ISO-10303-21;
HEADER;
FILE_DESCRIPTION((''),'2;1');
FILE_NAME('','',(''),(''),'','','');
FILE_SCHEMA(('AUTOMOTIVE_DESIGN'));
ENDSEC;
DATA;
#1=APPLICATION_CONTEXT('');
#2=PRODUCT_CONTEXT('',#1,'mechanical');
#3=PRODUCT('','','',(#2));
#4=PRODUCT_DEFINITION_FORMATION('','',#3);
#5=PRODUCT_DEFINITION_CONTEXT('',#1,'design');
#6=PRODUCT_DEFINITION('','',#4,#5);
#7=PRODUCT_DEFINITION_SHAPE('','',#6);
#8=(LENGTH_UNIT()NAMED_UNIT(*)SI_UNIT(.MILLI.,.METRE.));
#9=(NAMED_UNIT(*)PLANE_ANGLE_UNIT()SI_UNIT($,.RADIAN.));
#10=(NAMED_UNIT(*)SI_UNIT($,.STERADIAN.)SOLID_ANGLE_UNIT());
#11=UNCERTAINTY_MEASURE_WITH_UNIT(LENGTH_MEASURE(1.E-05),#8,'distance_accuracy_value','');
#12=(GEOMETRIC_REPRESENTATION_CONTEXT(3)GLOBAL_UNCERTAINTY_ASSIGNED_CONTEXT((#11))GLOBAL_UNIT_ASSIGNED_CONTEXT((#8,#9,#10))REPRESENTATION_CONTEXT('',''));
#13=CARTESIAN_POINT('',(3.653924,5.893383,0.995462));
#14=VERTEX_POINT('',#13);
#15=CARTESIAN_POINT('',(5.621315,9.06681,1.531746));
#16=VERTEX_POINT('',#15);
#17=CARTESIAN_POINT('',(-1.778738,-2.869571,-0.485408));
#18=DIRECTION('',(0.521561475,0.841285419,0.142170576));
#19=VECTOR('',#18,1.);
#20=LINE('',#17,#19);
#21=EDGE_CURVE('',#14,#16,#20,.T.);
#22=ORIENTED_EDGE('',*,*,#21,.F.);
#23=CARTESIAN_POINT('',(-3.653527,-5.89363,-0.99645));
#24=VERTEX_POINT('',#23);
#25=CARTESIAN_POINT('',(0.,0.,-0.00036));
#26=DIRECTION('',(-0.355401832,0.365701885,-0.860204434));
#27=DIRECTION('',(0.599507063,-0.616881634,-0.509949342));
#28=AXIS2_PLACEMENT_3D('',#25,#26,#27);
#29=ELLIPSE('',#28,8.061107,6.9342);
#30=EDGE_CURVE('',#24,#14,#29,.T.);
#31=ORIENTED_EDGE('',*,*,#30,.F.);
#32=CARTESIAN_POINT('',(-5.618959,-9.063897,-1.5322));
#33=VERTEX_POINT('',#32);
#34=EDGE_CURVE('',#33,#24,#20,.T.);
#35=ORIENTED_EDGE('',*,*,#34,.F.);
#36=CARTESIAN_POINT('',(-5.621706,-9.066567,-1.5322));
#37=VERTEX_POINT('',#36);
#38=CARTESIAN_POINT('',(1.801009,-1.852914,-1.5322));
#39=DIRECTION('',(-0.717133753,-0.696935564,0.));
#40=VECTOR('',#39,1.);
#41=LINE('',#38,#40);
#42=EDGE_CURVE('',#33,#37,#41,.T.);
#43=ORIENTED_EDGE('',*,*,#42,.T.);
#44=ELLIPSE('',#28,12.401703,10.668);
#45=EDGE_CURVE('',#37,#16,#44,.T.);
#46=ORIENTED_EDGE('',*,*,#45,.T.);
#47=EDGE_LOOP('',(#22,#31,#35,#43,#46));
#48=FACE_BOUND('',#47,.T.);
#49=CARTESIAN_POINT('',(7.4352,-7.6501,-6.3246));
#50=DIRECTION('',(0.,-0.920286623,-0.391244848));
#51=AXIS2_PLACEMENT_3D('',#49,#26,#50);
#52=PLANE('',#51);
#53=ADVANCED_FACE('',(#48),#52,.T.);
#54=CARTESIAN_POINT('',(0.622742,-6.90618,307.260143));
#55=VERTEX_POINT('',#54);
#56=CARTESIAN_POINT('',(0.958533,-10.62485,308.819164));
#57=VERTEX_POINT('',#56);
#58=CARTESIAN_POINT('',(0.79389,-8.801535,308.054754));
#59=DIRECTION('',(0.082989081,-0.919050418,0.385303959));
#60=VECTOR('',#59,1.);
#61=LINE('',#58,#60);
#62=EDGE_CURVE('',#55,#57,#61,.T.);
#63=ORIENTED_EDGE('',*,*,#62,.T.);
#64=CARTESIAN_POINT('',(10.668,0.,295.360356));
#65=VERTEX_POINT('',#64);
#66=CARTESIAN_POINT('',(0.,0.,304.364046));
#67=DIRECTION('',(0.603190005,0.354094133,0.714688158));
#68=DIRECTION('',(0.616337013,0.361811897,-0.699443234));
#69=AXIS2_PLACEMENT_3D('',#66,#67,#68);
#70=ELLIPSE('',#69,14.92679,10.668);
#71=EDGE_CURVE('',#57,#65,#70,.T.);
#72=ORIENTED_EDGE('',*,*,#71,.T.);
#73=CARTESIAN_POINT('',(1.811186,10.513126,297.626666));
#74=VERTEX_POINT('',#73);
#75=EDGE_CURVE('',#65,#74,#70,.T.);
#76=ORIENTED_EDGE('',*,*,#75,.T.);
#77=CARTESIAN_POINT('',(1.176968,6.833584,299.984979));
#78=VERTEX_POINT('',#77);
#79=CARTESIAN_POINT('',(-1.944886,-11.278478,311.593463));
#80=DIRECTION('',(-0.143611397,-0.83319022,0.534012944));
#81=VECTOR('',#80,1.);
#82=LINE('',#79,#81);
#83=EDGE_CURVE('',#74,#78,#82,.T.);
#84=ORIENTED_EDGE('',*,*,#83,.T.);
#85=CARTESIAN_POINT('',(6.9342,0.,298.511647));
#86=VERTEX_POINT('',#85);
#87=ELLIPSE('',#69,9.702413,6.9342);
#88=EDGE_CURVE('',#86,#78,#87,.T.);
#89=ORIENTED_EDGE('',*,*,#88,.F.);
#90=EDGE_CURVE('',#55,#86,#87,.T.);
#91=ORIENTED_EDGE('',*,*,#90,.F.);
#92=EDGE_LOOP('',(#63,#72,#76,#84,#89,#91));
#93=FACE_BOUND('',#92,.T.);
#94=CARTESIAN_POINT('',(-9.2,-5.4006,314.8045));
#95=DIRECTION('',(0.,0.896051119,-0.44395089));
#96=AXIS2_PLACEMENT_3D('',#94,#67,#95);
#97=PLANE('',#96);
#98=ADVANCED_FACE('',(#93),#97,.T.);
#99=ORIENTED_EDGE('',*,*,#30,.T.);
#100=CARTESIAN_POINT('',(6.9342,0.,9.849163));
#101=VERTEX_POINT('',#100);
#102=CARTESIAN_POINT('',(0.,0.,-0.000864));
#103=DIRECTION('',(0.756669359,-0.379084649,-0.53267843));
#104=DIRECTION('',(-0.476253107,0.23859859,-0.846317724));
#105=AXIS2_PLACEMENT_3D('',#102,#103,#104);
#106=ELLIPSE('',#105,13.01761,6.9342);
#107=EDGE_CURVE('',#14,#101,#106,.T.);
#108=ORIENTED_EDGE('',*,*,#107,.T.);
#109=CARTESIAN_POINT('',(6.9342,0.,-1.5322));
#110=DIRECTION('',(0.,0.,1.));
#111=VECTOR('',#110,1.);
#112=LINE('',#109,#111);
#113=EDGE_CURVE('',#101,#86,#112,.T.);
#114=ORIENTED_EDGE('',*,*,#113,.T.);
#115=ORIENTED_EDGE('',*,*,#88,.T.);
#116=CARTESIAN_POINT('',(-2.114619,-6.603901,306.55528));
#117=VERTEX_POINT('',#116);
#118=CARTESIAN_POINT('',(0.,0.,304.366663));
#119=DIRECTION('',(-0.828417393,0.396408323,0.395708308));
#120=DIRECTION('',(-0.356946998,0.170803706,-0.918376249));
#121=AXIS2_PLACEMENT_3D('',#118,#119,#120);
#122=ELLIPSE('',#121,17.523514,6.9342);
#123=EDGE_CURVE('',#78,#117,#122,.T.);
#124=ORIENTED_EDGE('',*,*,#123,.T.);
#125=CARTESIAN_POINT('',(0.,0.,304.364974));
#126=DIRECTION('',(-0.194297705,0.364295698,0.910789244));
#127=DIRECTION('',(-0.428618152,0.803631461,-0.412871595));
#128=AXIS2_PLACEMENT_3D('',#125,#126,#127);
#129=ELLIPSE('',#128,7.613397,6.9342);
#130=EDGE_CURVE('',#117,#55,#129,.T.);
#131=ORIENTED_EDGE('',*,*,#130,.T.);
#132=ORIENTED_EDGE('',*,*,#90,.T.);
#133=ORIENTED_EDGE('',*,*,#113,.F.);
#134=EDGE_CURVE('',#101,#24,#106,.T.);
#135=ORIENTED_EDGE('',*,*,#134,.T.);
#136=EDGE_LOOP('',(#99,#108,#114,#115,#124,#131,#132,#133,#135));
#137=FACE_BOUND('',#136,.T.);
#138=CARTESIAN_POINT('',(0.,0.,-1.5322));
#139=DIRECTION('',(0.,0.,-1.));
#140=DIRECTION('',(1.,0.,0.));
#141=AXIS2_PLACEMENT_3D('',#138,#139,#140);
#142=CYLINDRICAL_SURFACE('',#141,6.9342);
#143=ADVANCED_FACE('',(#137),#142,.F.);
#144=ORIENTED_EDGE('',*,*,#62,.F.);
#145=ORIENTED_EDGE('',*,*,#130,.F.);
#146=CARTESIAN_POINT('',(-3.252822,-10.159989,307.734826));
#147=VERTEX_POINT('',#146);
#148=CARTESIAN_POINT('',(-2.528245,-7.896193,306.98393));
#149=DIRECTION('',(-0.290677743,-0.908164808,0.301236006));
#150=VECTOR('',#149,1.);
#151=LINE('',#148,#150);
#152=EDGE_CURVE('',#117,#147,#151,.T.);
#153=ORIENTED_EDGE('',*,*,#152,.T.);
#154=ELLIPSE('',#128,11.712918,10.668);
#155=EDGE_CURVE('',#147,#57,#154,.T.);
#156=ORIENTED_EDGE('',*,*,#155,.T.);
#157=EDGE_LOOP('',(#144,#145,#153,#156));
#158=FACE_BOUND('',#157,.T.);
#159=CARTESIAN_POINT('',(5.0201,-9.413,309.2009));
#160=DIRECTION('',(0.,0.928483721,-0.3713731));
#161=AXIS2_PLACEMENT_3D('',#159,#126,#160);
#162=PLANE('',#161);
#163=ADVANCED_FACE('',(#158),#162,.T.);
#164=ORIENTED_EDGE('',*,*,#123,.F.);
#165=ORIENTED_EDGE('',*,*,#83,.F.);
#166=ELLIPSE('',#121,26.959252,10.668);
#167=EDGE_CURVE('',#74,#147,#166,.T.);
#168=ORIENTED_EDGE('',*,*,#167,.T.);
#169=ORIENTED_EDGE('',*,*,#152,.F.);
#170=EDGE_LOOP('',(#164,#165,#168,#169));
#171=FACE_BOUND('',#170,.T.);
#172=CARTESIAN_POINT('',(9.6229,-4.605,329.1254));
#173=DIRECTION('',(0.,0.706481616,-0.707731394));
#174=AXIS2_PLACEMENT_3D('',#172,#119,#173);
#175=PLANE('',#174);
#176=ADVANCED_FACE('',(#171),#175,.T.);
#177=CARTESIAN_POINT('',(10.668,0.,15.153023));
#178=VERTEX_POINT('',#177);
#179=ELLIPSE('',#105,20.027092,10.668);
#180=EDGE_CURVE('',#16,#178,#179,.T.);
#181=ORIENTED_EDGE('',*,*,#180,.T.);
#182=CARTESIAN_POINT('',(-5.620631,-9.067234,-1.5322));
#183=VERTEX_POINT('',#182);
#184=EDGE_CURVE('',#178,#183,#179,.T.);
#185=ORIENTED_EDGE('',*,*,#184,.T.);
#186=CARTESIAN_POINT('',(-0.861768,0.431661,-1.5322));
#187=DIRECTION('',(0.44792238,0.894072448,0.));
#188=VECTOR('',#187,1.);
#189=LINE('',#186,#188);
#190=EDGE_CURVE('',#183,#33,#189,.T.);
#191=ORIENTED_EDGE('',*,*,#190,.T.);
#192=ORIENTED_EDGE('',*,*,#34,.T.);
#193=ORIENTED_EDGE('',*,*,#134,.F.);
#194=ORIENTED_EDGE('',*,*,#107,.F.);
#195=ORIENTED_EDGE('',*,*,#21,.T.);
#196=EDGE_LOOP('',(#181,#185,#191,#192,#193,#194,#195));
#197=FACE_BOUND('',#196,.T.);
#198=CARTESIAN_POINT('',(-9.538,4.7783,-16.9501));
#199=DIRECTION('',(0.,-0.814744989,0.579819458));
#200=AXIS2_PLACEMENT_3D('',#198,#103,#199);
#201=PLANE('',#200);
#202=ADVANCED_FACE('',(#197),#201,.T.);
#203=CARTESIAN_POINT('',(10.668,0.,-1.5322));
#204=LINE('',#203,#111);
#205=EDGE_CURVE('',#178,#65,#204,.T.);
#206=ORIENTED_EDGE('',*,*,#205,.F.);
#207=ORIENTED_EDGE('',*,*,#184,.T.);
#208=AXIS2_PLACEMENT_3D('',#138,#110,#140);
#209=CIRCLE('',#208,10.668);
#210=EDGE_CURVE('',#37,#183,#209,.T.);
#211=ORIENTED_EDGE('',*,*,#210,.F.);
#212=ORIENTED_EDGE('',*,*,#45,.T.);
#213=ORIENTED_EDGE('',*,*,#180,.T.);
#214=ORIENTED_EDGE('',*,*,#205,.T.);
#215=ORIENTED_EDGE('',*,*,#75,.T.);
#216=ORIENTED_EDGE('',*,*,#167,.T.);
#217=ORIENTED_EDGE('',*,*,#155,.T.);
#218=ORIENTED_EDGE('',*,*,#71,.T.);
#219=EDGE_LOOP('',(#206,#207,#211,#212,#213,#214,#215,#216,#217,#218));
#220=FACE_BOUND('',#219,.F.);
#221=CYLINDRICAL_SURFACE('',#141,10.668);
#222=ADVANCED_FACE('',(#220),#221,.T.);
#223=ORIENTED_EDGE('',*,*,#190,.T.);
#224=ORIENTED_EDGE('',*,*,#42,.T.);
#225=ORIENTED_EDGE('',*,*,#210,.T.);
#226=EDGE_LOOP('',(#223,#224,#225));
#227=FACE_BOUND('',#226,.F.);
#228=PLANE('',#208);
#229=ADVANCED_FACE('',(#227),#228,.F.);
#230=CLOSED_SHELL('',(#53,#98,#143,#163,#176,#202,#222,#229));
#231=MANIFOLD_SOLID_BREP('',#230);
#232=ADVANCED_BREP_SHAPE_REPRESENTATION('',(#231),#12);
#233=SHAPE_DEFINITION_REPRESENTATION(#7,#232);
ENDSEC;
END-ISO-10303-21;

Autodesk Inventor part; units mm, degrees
ref_plane "Start Plane" through (0, 0, -1.5322) normal (0, 0, 1) x (1, 0, 0)
ref_plane "End Plane" through (0, 0, 308.8193) normal (0, 0, 1) x (1, 0, 0)
sketch "Sketch" plane through (0, 0, 0) normal (0, 0, 1) x (1, 0, 0)
  circle A0 centre (0, 0) radius 6.9342
  circle A1 centre (0, 0) radius 10.668
  dimension "d0" = 21.336
  dimension "d1" = 3.7338
extrude "Body" add sketch "Sketch" along normal up to surface (310.3515 mm away) from surface at -1.5322
sketch "Sketch3" plane through (0, 0, 0) normal (0, 0, 1) x (1, 0, 0)
  line L0 (0, 0) -> (10, 0)
ref_plane "Work Plane3" through (0, 0, 0) normal (0, -1, 0) x (1, 0, 0)
sketch "Sketch4" plane through (0, 0, 0) normal (0, -1, 0) x (1, 0, 0)
  line L0 (-2, -1.5322) -> (12, -1.5322)
  line L1 (-2, 308.8193) -> (12, 308.8193)
  dimension "d7" = 310.3515
ref_plane "Work Plane4" through (-9.2, -5.4006, 314.8045) normal (0.6032, 0.3541, 0.7147) x (0.7878, -0.1245, -0.6032)
split "Split1" plane through (-9.2, -5.4006, 314.8045) removes the side toward (0.6032, 0.3541, 0.7147)
ref_plane "Work Plane5" through (5.0201, -9.413, 309.2009) normal (-0.1943, 0.3643, 0.9108) x (0.9802, 0.037, 0.1943)
split "Split2" plane through (5.0201, -9.413, 309.2009) removes the side toward (-0.1943, 0.3643, 0.9108)
ref_plane "Work Plane6" through (9.6229, -4.605, 329.1254) normal (-0.8284, 0.3964, 0.3957) x (0.5083, 0.2353, 0.8284)
split "Split3" plane through (9.6229, -4.605, 329.1254) removes the side toward (-0.8284, 0.3964, 0.3957)
ref_plane "Work Plane7" through (-9.538, 4.7783, -16.9501) normal (0.7567, -0.3791, -0.5327) x (-0.2252, 0.6138, -0.7567)
split "Split4" plane through (-9.538, 4.7783, -16.9501) removes the side toward (0.7567, -0.3791, -0.5327)
ref_plane "Work Plane8" through (7.4352, -7.6501, -6.3246) normal (-0.3554, 0.3657, -0.8602) x (0.0964, 0.9297, 0.3554)
split "Split5" plane through (7.4352, -7.6501, -6.3246) removes the side toward (-0.3554, 0.3657, -0.8602)
equation "\"d0\" = G_H"
equation "\"d1\" = G_T"
equation "\"d2\" = G_L"
equation "\"G_H\" = 21.336"
equation "\"G_T\" = 3.7338"
equation "\"G_L\" = 310.35153"
equation "\"G_OFFSET_START\" = 1.53222"
equation "\"G_OFFSET_END\" = 4.45413"
equation "\"d4\" = -G_OFFSET_START"
equation "\"d5\" = G_OFFSET_END + B_L"
equation "\"B_L\" = 304.36517"
properties part number "ANSI - 1/2 x 0.147 - 12.219" material "Steel, Mild"
